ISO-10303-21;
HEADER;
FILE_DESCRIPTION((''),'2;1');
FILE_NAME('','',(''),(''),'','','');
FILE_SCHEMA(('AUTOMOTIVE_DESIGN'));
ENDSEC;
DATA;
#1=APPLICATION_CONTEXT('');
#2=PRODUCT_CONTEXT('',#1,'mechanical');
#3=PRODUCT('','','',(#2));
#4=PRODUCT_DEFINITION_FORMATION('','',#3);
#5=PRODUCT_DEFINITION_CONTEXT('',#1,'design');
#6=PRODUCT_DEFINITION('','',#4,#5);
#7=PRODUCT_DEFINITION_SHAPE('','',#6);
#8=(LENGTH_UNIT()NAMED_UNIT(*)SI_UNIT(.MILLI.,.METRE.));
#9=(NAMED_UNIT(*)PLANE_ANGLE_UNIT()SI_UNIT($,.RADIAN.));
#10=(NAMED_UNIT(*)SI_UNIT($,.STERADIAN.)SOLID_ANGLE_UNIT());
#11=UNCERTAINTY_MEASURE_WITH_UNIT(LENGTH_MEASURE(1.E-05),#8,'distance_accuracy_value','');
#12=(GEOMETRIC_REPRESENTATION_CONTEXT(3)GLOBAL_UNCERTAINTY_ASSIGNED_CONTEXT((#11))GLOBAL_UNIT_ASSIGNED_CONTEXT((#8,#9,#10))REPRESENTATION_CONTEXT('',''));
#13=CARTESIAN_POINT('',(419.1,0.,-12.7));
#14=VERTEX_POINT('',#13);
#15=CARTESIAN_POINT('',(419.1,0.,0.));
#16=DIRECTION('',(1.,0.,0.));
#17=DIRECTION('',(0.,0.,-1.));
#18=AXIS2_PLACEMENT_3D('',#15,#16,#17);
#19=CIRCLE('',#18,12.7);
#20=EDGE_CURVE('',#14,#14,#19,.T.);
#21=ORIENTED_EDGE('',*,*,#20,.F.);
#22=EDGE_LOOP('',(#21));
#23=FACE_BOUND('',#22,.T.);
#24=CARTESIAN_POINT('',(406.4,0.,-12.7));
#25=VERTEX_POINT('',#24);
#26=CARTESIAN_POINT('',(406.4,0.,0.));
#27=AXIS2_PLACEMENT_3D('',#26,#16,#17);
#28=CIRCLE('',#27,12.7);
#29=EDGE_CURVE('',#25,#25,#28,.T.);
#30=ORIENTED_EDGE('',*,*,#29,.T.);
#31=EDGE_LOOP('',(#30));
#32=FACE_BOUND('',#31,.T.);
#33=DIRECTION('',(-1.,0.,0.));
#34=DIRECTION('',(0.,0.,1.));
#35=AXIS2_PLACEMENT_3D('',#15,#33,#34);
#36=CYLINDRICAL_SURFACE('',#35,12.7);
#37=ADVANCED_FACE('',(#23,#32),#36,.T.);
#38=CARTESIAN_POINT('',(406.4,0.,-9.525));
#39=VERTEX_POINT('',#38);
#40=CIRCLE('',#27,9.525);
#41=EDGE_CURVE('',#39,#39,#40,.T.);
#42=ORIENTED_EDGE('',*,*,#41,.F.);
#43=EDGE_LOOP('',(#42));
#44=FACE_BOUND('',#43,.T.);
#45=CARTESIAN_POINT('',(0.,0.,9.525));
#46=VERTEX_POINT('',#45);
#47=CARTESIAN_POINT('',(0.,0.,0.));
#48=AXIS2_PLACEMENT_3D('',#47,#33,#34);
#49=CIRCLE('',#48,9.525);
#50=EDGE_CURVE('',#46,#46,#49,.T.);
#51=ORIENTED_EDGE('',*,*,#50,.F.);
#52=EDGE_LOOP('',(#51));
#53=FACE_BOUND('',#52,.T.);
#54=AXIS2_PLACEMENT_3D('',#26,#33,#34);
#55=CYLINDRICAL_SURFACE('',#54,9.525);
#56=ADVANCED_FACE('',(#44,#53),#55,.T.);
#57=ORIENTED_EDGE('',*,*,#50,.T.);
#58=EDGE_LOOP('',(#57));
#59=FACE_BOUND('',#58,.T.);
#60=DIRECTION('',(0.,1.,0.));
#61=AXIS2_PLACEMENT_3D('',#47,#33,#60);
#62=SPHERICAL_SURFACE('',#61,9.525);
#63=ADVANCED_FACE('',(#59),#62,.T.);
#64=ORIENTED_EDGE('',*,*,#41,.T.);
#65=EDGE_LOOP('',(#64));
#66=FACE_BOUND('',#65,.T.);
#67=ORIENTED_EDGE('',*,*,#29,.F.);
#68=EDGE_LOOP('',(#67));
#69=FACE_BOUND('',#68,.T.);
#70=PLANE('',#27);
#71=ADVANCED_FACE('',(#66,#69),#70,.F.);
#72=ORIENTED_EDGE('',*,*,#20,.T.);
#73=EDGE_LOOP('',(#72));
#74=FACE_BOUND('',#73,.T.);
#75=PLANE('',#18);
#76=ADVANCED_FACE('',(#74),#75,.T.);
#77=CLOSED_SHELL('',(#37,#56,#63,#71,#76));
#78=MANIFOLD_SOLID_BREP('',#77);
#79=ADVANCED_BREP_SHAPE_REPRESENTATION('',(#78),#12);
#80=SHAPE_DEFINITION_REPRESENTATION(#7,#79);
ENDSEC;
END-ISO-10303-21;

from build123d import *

# Parameters (mm, degrees)
SKETCH1_R           = 9.525
BOSS_EXTRUDE1_DEPTH = 406.4
SKETCH3_R           = 12.7
BOSS_EXTRUDE2_DEPTH = 12.7


with BuildPart() as part:
    # Sketch1 → Boss-Extrude1 (new body)
    with BuildSketch(Plane(origin=(0, 0, 0), x_dir=(0, 0, -1), z_dir=(1, 0, 0))):
        Circle(SKETCH1_R)
    extrude(amount=BOSS_EXTRUDE1_DEPTH)

    # Sketch2 → Revolve1 (revolve)
    with BuildSketch(Plane.XY, mode=Mode.PRIVATE) as revolve1_sk:
        with BuildLine():
            Line((-9.525, 0), (0, 0))
            Line((0, 0), (0, 9.525))
            ThreePointArc((0, 9.525), (-6.735192091, 6.735192091), (-9.525, 0))
        make_face()
    revolve(revolve1_sk.sketch.rotate(Axis((-9.525, 0, 0), (1, 0, 0)), 90), axis=Axis((-9.525, 0, 0), (1, 0, 0)))

    # Sketch3 → Boss-Extrude2 (add)
    with BuildSketch(Plane(origin=(406.4, 0, 0), x_dir=(0, 0, -1), z_dir=(1, 0, 0))):
        Circle(SKETCH3_R)
    extrude(amount=BOSS_EXTRUDE2_DEPTH)


solid = part.part
